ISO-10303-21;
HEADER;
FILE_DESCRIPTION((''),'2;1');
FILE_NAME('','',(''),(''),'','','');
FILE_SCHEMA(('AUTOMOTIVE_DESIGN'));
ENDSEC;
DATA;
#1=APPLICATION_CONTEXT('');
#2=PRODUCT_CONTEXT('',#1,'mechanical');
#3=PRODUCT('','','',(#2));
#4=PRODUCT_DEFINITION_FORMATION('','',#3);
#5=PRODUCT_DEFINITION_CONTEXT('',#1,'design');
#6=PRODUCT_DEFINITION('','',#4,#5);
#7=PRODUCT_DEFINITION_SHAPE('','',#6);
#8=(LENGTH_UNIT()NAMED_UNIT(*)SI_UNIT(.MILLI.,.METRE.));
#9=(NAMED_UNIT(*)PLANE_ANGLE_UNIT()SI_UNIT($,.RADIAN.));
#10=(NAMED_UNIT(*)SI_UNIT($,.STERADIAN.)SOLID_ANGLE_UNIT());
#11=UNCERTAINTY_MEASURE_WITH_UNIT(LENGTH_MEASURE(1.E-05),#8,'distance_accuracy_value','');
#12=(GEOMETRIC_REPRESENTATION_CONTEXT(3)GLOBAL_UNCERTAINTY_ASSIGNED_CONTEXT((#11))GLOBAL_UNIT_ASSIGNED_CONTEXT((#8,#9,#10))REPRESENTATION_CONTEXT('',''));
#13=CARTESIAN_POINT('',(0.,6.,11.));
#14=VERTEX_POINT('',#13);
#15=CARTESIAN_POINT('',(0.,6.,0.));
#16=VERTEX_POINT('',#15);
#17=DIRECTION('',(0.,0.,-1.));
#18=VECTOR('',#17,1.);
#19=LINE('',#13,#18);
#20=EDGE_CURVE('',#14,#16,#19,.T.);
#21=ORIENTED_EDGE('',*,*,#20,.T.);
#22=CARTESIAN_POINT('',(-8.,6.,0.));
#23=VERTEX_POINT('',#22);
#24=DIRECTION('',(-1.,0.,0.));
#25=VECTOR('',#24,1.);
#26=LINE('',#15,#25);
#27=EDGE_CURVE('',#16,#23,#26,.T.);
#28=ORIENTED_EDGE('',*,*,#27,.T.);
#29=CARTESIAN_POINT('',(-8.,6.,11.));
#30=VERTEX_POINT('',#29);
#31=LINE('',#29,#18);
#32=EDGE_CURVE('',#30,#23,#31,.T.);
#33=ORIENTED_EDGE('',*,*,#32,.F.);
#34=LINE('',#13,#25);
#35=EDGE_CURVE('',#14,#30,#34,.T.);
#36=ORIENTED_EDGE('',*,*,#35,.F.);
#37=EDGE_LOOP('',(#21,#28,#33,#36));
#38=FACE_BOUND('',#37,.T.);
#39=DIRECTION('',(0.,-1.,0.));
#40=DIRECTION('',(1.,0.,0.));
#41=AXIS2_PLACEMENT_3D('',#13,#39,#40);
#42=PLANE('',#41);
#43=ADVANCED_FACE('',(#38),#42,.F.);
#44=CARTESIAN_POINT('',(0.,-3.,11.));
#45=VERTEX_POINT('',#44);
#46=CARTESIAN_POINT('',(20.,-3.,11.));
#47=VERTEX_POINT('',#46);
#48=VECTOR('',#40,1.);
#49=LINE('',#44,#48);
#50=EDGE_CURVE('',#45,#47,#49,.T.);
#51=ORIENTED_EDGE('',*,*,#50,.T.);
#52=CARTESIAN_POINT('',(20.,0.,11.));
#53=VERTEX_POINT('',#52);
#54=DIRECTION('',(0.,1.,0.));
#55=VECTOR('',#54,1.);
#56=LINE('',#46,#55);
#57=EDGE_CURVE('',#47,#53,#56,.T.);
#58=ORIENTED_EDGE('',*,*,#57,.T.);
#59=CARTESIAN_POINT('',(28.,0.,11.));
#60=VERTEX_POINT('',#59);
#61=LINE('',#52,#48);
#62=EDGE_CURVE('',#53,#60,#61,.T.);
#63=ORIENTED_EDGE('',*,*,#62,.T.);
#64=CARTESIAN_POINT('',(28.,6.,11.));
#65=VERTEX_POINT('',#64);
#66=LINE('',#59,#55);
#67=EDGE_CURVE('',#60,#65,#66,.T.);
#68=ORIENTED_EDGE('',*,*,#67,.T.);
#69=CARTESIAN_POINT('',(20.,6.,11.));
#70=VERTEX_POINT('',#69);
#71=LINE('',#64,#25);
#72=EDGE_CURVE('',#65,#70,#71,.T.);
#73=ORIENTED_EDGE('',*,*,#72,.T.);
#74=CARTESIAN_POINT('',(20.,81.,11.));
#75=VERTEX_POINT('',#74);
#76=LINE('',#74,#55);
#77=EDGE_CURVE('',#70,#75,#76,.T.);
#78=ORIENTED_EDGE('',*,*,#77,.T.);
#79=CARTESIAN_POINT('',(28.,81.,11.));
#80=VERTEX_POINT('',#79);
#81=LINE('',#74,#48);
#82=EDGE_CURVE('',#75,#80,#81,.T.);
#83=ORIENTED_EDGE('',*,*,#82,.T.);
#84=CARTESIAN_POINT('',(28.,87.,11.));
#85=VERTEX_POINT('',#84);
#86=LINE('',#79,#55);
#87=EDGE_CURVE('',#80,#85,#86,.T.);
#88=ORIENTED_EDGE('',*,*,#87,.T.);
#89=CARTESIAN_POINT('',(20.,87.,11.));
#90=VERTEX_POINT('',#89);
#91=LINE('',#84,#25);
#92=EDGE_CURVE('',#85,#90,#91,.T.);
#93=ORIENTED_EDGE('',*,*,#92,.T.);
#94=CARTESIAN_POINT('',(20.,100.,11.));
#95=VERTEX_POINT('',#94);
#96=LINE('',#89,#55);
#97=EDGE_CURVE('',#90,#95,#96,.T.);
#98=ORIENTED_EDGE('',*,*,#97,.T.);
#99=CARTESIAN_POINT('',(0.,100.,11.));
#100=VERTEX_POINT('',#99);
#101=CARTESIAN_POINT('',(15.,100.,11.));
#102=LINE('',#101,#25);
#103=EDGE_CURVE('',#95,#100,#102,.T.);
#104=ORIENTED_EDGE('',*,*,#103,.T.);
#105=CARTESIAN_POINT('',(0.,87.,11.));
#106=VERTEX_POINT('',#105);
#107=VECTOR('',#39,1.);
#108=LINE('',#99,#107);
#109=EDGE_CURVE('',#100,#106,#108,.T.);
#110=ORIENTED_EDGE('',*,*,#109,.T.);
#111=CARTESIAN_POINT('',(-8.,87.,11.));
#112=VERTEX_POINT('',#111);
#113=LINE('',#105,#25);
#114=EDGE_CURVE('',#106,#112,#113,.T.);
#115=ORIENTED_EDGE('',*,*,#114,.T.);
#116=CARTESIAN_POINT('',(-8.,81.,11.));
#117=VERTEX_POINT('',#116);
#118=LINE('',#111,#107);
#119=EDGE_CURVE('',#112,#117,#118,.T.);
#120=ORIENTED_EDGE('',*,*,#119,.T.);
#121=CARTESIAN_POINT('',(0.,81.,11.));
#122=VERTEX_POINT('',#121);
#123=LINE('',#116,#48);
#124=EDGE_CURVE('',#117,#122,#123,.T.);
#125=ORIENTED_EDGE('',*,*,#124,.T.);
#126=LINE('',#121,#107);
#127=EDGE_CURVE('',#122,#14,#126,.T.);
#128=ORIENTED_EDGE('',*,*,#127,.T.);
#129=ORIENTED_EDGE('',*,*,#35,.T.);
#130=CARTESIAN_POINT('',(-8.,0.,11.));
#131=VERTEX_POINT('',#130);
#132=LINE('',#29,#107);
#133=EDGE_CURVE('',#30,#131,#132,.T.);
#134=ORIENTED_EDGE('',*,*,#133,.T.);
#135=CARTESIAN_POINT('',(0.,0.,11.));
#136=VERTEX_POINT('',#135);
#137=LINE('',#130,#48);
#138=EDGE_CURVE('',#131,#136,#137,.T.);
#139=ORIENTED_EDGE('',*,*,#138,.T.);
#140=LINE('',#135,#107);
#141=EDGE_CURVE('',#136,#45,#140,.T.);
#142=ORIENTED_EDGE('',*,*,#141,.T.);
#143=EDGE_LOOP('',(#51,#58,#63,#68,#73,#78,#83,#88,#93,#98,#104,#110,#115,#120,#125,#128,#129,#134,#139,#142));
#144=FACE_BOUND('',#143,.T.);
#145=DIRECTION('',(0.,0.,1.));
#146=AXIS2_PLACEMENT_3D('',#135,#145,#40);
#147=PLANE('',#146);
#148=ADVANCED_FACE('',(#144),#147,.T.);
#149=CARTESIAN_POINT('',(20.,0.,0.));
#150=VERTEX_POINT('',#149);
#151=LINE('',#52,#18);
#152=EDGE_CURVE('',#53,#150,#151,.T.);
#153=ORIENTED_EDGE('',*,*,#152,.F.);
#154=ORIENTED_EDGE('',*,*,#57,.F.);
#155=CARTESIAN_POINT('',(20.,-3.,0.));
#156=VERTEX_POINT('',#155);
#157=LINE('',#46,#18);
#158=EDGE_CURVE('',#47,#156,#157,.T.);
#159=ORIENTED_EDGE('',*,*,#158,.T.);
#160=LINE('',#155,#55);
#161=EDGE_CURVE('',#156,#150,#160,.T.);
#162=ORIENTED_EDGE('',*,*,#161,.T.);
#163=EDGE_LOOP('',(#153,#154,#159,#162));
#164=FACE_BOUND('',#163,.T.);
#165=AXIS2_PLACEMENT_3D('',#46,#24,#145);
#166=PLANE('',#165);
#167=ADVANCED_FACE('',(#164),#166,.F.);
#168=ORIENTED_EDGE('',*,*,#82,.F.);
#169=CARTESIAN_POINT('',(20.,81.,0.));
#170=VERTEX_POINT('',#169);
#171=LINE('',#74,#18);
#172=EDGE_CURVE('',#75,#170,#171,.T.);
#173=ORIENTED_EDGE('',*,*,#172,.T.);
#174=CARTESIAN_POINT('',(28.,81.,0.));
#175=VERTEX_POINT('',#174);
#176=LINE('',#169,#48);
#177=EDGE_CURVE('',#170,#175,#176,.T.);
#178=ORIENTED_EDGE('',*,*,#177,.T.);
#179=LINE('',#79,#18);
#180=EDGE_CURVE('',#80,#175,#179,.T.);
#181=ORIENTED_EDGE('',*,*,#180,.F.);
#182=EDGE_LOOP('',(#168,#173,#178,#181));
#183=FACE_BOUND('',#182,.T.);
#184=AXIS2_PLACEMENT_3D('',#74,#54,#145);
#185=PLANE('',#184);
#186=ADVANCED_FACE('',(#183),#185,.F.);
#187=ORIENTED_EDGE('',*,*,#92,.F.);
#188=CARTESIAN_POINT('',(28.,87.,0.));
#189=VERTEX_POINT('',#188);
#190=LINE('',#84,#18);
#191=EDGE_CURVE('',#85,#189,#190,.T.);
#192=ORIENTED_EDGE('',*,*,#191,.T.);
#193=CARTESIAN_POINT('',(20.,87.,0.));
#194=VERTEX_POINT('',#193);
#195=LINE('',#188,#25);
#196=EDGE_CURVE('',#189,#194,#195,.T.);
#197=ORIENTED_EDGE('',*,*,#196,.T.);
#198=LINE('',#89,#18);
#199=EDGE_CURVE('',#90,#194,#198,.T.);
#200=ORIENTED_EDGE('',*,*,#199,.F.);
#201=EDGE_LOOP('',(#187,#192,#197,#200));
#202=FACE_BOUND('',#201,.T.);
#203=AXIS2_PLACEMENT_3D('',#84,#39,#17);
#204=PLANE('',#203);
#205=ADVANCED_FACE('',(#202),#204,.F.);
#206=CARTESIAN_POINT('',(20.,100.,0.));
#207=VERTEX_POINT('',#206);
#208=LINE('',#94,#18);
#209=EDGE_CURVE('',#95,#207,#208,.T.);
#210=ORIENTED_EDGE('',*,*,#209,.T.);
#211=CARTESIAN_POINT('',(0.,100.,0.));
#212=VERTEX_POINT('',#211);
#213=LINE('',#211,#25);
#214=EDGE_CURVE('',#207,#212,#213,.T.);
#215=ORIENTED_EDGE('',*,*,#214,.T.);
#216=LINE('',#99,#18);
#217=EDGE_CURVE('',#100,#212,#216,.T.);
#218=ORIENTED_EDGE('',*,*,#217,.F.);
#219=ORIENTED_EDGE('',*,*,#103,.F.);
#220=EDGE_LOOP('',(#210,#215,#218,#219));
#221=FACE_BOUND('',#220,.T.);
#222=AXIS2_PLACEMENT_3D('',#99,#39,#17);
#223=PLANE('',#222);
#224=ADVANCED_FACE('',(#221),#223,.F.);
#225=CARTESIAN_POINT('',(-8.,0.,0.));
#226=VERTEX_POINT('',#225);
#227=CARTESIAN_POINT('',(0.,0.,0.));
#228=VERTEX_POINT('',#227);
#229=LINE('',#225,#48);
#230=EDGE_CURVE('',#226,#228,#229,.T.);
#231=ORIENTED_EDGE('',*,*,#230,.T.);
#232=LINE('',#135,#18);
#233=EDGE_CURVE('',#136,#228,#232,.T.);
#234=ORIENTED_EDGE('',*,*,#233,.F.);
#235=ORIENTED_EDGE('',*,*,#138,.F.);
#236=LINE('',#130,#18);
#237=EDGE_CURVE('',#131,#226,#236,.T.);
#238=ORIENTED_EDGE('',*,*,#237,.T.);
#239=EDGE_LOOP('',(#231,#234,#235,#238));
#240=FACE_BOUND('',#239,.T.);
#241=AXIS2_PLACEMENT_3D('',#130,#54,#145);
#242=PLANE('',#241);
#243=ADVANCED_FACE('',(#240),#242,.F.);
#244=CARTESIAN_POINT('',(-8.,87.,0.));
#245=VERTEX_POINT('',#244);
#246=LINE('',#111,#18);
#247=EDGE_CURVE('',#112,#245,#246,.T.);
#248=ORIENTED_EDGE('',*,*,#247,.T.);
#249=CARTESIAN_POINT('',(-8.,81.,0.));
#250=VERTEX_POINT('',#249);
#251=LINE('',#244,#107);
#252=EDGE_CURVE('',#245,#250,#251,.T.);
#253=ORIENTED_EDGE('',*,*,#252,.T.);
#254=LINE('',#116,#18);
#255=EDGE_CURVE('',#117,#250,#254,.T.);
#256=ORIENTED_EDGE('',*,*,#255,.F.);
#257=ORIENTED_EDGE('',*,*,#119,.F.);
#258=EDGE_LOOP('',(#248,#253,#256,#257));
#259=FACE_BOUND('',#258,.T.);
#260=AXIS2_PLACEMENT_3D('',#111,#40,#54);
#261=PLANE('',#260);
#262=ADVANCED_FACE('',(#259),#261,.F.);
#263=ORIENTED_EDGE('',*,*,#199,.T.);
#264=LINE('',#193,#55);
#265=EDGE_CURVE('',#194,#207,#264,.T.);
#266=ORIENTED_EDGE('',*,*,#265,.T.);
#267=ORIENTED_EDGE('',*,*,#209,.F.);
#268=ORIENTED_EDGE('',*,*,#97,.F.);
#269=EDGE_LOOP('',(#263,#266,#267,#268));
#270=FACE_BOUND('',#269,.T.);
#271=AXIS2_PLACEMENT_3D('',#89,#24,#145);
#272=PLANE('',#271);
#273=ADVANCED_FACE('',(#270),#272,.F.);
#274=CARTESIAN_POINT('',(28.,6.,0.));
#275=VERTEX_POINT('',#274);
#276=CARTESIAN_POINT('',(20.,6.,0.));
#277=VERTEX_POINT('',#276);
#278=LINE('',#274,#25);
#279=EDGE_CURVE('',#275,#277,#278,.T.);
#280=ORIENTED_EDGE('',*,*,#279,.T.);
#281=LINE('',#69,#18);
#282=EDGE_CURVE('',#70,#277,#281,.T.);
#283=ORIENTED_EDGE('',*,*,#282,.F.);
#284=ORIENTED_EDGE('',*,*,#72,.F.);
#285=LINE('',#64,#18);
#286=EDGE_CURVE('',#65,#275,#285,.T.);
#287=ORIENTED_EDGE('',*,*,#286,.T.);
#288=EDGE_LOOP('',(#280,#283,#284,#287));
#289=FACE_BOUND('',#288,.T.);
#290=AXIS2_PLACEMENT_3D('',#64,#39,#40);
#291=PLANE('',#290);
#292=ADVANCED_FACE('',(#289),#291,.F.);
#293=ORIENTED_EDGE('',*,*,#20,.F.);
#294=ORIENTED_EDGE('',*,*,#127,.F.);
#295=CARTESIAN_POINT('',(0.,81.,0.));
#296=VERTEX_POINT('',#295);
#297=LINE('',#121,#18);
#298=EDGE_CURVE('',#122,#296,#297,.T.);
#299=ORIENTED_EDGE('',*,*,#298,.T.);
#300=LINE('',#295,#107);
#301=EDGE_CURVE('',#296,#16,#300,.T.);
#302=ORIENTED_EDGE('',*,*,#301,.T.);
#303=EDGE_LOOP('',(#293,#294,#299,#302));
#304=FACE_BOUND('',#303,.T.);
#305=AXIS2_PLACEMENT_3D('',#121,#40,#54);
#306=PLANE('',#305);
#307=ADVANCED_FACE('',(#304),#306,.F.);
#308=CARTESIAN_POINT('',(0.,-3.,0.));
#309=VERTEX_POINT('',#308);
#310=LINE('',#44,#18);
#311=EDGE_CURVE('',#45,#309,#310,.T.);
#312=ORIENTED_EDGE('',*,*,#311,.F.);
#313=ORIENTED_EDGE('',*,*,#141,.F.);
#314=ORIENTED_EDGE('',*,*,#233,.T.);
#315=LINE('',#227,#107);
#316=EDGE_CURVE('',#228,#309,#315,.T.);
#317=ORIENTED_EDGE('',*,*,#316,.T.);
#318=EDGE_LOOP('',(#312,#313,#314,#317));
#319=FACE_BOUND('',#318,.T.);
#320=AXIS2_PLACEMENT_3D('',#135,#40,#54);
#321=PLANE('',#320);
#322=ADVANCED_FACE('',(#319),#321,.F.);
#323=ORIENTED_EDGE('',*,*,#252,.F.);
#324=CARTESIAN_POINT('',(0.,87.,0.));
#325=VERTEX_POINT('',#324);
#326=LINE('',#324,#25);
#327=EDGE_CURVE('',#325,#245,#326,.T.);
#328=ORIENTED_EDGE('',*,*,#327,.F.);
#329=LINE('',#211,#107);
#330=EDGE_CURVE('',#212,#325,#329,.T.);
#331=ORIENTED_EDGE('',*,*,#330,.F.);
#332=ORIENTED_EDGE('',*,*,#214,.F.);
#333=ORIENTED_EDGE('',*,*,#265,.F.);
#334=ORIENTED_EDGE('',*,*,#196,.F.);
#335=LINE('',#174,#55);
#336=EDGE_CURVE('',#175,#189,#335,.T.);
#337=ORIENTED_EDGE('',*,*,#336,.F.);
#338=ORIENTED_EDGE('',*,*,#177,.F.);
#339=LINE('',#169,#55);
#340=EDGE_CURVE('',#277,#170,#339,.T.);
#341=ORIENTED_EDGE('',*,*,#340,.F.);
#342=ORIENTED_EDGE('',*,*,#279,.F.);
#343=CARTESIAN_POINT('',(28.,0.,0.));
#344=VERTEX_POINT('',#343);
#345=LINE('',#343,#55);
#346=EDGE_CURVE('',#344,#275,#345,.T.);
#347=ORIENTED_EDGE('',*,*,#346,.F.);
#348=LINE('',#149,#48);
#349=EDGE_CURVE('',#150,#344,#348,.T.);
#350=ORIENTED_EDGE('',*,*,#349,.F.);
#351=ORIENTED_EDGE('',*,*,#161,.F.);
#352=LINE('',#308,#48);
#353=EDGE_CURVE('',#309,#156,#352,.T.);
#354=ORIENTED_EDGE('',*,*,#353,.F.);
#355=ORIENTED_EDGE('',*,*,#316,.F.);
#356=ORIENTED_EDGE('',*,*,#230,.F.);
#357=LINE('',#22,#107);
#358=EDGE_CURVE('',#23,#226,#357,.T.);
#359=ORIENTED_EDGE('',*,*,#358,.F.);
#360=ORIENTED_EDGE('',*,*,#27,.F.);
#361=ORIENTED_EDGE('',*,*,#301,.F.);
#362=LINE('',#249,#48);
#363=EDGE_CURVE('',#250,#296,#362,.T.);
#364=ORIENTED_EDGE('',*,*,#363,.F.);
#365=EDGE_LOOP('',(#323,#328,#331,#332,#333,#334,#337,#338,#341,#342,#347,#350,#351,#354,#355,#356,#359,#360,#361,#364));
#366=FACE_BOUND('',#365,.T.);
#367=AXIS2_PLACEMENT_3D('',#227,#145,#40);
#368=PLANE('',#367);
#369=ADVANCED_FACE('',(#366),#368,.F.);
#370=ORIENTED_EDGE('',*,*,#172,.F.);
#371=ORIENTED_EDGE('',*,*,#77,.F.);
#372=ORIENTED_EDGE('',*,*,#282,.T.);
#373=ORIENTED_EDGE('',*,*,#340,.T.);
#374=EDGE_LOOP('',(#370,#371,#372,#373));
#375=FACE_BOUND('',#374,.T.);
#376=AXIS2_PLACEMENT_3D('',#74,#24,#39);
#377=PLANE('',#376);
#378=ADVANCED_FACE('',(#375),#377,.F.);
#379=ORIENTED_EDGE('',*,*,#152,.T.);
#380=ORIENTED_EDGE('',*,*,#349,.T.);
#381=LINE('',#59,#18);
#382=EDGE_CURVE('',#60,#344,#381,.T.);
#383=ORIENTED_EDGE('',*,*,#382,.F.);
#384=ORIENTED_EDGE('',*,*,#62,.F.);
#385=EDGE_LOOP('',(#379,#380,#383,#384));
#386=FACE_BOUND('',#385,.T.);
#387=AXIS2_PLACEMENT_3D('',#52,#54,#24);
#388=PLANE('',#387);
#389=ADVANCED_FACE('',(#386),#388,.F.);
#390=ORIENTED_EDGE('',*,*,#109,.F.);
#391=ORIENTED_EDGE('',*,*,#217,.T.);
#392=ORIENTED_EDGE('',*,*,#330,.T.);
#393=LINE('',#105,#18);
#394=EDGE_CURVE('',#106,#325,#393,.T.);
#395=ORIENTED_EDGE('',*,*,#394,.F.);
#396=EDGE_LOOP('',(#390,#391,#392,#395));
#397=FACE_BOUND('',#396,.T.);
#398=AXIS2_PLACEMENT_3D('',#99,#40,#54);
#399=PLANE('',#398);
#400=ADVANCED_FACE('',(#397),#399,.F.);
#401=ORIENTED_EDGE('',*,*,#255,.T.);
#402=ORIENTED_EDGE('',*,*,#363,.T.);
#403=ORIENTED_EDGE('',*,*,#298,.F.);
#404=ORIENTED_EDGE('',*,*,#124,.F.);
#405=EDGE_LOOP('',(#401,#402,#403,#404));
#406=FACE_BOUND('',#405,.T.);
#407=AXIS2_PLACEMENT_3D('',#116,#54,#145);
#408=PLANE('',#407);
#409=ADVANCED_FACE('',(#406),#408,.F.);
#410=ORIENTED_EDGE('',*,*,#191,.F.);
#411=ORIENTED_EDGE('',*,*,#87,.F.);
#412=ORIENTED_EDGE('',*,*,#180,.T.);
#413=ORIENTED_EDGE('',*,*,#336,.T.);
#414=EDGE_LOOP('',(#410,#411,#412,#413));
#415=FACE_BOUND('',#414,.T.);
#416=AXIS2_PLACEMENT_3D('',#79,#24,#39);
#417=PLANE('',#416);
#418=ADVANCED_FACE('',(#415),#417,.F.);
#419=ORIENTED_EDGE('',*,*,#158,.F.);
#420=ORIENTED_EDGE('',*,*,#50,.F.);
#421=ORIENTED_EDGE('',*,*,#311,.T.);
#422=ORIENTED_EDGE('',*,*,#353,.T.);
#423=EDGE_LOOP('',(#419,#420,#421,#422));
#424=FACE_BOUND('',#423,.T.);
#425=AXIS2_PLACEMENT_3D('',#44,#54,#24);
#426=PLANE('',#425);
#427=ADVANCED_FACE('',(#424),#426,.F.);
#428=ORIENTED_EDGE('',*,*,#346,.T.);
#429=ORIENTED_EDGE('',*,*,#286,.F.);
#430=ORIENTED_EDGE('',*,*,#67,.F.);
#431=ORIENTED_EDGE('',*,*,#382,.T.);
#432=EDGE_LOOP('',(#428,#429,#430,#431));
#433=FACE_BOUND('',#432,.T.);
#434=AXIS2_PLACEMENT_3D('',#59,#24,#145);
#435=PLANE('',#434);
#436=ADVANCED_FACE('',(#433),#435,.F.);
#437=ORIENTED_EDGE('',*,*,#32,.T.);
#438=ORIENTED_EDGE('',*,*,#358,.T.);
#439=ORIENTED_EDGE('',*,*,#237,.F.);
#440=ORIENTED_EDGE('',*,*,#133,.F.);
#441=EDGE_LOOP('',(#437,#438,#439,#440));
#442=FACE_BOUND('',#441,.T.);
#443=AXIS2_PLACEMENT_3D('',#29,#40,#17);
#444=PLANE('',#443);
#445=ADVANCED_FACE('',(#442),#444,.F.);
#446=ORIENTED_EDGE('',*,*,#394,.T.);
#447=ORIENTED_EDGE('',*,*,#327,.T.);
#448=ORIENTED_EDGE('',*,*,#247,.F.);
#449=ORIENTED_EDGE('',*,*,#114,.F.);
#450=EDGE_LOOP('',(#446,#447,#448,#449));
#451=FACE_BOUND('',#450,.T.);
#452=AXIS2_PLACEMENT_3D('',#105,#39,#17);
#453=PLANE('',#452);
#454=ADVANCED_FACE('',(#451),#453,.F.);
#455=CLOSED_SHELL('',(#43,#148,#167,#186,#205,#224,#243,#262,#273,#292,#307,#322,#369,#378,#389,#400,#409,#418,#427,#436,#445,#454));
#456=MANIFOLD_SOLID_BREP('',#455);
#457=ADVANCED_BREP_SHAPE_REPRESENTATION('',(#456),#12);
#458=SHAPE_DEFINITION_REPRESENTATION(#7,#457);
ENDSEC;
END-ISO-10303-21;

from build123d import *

# Parameters (mm, degrees)
BOSS_EXTRU_1_DEPTH = 11


with BuildPart() as part:
    # Esquisse1 → Boss.-Extru.1 (new body)
    with BuildSketch(Plane.XY):
        Polygon((0, 81), (0, 6), (-8, 6), (-8, 0), (0, 0), (0, -3), (20, -3), (20, 0), (28, 0), (28, 6), (20, 6), (20, 81), (28, 81), (28, 87), (20, 87), (20, 100), (15, 100), (5, 100), (0, 100), (0, 87), (-8, 87), (-8, 81), align=None)
    extrude(amount=BOSS_EXTRU_1_DEPTH)


solid = part.part
